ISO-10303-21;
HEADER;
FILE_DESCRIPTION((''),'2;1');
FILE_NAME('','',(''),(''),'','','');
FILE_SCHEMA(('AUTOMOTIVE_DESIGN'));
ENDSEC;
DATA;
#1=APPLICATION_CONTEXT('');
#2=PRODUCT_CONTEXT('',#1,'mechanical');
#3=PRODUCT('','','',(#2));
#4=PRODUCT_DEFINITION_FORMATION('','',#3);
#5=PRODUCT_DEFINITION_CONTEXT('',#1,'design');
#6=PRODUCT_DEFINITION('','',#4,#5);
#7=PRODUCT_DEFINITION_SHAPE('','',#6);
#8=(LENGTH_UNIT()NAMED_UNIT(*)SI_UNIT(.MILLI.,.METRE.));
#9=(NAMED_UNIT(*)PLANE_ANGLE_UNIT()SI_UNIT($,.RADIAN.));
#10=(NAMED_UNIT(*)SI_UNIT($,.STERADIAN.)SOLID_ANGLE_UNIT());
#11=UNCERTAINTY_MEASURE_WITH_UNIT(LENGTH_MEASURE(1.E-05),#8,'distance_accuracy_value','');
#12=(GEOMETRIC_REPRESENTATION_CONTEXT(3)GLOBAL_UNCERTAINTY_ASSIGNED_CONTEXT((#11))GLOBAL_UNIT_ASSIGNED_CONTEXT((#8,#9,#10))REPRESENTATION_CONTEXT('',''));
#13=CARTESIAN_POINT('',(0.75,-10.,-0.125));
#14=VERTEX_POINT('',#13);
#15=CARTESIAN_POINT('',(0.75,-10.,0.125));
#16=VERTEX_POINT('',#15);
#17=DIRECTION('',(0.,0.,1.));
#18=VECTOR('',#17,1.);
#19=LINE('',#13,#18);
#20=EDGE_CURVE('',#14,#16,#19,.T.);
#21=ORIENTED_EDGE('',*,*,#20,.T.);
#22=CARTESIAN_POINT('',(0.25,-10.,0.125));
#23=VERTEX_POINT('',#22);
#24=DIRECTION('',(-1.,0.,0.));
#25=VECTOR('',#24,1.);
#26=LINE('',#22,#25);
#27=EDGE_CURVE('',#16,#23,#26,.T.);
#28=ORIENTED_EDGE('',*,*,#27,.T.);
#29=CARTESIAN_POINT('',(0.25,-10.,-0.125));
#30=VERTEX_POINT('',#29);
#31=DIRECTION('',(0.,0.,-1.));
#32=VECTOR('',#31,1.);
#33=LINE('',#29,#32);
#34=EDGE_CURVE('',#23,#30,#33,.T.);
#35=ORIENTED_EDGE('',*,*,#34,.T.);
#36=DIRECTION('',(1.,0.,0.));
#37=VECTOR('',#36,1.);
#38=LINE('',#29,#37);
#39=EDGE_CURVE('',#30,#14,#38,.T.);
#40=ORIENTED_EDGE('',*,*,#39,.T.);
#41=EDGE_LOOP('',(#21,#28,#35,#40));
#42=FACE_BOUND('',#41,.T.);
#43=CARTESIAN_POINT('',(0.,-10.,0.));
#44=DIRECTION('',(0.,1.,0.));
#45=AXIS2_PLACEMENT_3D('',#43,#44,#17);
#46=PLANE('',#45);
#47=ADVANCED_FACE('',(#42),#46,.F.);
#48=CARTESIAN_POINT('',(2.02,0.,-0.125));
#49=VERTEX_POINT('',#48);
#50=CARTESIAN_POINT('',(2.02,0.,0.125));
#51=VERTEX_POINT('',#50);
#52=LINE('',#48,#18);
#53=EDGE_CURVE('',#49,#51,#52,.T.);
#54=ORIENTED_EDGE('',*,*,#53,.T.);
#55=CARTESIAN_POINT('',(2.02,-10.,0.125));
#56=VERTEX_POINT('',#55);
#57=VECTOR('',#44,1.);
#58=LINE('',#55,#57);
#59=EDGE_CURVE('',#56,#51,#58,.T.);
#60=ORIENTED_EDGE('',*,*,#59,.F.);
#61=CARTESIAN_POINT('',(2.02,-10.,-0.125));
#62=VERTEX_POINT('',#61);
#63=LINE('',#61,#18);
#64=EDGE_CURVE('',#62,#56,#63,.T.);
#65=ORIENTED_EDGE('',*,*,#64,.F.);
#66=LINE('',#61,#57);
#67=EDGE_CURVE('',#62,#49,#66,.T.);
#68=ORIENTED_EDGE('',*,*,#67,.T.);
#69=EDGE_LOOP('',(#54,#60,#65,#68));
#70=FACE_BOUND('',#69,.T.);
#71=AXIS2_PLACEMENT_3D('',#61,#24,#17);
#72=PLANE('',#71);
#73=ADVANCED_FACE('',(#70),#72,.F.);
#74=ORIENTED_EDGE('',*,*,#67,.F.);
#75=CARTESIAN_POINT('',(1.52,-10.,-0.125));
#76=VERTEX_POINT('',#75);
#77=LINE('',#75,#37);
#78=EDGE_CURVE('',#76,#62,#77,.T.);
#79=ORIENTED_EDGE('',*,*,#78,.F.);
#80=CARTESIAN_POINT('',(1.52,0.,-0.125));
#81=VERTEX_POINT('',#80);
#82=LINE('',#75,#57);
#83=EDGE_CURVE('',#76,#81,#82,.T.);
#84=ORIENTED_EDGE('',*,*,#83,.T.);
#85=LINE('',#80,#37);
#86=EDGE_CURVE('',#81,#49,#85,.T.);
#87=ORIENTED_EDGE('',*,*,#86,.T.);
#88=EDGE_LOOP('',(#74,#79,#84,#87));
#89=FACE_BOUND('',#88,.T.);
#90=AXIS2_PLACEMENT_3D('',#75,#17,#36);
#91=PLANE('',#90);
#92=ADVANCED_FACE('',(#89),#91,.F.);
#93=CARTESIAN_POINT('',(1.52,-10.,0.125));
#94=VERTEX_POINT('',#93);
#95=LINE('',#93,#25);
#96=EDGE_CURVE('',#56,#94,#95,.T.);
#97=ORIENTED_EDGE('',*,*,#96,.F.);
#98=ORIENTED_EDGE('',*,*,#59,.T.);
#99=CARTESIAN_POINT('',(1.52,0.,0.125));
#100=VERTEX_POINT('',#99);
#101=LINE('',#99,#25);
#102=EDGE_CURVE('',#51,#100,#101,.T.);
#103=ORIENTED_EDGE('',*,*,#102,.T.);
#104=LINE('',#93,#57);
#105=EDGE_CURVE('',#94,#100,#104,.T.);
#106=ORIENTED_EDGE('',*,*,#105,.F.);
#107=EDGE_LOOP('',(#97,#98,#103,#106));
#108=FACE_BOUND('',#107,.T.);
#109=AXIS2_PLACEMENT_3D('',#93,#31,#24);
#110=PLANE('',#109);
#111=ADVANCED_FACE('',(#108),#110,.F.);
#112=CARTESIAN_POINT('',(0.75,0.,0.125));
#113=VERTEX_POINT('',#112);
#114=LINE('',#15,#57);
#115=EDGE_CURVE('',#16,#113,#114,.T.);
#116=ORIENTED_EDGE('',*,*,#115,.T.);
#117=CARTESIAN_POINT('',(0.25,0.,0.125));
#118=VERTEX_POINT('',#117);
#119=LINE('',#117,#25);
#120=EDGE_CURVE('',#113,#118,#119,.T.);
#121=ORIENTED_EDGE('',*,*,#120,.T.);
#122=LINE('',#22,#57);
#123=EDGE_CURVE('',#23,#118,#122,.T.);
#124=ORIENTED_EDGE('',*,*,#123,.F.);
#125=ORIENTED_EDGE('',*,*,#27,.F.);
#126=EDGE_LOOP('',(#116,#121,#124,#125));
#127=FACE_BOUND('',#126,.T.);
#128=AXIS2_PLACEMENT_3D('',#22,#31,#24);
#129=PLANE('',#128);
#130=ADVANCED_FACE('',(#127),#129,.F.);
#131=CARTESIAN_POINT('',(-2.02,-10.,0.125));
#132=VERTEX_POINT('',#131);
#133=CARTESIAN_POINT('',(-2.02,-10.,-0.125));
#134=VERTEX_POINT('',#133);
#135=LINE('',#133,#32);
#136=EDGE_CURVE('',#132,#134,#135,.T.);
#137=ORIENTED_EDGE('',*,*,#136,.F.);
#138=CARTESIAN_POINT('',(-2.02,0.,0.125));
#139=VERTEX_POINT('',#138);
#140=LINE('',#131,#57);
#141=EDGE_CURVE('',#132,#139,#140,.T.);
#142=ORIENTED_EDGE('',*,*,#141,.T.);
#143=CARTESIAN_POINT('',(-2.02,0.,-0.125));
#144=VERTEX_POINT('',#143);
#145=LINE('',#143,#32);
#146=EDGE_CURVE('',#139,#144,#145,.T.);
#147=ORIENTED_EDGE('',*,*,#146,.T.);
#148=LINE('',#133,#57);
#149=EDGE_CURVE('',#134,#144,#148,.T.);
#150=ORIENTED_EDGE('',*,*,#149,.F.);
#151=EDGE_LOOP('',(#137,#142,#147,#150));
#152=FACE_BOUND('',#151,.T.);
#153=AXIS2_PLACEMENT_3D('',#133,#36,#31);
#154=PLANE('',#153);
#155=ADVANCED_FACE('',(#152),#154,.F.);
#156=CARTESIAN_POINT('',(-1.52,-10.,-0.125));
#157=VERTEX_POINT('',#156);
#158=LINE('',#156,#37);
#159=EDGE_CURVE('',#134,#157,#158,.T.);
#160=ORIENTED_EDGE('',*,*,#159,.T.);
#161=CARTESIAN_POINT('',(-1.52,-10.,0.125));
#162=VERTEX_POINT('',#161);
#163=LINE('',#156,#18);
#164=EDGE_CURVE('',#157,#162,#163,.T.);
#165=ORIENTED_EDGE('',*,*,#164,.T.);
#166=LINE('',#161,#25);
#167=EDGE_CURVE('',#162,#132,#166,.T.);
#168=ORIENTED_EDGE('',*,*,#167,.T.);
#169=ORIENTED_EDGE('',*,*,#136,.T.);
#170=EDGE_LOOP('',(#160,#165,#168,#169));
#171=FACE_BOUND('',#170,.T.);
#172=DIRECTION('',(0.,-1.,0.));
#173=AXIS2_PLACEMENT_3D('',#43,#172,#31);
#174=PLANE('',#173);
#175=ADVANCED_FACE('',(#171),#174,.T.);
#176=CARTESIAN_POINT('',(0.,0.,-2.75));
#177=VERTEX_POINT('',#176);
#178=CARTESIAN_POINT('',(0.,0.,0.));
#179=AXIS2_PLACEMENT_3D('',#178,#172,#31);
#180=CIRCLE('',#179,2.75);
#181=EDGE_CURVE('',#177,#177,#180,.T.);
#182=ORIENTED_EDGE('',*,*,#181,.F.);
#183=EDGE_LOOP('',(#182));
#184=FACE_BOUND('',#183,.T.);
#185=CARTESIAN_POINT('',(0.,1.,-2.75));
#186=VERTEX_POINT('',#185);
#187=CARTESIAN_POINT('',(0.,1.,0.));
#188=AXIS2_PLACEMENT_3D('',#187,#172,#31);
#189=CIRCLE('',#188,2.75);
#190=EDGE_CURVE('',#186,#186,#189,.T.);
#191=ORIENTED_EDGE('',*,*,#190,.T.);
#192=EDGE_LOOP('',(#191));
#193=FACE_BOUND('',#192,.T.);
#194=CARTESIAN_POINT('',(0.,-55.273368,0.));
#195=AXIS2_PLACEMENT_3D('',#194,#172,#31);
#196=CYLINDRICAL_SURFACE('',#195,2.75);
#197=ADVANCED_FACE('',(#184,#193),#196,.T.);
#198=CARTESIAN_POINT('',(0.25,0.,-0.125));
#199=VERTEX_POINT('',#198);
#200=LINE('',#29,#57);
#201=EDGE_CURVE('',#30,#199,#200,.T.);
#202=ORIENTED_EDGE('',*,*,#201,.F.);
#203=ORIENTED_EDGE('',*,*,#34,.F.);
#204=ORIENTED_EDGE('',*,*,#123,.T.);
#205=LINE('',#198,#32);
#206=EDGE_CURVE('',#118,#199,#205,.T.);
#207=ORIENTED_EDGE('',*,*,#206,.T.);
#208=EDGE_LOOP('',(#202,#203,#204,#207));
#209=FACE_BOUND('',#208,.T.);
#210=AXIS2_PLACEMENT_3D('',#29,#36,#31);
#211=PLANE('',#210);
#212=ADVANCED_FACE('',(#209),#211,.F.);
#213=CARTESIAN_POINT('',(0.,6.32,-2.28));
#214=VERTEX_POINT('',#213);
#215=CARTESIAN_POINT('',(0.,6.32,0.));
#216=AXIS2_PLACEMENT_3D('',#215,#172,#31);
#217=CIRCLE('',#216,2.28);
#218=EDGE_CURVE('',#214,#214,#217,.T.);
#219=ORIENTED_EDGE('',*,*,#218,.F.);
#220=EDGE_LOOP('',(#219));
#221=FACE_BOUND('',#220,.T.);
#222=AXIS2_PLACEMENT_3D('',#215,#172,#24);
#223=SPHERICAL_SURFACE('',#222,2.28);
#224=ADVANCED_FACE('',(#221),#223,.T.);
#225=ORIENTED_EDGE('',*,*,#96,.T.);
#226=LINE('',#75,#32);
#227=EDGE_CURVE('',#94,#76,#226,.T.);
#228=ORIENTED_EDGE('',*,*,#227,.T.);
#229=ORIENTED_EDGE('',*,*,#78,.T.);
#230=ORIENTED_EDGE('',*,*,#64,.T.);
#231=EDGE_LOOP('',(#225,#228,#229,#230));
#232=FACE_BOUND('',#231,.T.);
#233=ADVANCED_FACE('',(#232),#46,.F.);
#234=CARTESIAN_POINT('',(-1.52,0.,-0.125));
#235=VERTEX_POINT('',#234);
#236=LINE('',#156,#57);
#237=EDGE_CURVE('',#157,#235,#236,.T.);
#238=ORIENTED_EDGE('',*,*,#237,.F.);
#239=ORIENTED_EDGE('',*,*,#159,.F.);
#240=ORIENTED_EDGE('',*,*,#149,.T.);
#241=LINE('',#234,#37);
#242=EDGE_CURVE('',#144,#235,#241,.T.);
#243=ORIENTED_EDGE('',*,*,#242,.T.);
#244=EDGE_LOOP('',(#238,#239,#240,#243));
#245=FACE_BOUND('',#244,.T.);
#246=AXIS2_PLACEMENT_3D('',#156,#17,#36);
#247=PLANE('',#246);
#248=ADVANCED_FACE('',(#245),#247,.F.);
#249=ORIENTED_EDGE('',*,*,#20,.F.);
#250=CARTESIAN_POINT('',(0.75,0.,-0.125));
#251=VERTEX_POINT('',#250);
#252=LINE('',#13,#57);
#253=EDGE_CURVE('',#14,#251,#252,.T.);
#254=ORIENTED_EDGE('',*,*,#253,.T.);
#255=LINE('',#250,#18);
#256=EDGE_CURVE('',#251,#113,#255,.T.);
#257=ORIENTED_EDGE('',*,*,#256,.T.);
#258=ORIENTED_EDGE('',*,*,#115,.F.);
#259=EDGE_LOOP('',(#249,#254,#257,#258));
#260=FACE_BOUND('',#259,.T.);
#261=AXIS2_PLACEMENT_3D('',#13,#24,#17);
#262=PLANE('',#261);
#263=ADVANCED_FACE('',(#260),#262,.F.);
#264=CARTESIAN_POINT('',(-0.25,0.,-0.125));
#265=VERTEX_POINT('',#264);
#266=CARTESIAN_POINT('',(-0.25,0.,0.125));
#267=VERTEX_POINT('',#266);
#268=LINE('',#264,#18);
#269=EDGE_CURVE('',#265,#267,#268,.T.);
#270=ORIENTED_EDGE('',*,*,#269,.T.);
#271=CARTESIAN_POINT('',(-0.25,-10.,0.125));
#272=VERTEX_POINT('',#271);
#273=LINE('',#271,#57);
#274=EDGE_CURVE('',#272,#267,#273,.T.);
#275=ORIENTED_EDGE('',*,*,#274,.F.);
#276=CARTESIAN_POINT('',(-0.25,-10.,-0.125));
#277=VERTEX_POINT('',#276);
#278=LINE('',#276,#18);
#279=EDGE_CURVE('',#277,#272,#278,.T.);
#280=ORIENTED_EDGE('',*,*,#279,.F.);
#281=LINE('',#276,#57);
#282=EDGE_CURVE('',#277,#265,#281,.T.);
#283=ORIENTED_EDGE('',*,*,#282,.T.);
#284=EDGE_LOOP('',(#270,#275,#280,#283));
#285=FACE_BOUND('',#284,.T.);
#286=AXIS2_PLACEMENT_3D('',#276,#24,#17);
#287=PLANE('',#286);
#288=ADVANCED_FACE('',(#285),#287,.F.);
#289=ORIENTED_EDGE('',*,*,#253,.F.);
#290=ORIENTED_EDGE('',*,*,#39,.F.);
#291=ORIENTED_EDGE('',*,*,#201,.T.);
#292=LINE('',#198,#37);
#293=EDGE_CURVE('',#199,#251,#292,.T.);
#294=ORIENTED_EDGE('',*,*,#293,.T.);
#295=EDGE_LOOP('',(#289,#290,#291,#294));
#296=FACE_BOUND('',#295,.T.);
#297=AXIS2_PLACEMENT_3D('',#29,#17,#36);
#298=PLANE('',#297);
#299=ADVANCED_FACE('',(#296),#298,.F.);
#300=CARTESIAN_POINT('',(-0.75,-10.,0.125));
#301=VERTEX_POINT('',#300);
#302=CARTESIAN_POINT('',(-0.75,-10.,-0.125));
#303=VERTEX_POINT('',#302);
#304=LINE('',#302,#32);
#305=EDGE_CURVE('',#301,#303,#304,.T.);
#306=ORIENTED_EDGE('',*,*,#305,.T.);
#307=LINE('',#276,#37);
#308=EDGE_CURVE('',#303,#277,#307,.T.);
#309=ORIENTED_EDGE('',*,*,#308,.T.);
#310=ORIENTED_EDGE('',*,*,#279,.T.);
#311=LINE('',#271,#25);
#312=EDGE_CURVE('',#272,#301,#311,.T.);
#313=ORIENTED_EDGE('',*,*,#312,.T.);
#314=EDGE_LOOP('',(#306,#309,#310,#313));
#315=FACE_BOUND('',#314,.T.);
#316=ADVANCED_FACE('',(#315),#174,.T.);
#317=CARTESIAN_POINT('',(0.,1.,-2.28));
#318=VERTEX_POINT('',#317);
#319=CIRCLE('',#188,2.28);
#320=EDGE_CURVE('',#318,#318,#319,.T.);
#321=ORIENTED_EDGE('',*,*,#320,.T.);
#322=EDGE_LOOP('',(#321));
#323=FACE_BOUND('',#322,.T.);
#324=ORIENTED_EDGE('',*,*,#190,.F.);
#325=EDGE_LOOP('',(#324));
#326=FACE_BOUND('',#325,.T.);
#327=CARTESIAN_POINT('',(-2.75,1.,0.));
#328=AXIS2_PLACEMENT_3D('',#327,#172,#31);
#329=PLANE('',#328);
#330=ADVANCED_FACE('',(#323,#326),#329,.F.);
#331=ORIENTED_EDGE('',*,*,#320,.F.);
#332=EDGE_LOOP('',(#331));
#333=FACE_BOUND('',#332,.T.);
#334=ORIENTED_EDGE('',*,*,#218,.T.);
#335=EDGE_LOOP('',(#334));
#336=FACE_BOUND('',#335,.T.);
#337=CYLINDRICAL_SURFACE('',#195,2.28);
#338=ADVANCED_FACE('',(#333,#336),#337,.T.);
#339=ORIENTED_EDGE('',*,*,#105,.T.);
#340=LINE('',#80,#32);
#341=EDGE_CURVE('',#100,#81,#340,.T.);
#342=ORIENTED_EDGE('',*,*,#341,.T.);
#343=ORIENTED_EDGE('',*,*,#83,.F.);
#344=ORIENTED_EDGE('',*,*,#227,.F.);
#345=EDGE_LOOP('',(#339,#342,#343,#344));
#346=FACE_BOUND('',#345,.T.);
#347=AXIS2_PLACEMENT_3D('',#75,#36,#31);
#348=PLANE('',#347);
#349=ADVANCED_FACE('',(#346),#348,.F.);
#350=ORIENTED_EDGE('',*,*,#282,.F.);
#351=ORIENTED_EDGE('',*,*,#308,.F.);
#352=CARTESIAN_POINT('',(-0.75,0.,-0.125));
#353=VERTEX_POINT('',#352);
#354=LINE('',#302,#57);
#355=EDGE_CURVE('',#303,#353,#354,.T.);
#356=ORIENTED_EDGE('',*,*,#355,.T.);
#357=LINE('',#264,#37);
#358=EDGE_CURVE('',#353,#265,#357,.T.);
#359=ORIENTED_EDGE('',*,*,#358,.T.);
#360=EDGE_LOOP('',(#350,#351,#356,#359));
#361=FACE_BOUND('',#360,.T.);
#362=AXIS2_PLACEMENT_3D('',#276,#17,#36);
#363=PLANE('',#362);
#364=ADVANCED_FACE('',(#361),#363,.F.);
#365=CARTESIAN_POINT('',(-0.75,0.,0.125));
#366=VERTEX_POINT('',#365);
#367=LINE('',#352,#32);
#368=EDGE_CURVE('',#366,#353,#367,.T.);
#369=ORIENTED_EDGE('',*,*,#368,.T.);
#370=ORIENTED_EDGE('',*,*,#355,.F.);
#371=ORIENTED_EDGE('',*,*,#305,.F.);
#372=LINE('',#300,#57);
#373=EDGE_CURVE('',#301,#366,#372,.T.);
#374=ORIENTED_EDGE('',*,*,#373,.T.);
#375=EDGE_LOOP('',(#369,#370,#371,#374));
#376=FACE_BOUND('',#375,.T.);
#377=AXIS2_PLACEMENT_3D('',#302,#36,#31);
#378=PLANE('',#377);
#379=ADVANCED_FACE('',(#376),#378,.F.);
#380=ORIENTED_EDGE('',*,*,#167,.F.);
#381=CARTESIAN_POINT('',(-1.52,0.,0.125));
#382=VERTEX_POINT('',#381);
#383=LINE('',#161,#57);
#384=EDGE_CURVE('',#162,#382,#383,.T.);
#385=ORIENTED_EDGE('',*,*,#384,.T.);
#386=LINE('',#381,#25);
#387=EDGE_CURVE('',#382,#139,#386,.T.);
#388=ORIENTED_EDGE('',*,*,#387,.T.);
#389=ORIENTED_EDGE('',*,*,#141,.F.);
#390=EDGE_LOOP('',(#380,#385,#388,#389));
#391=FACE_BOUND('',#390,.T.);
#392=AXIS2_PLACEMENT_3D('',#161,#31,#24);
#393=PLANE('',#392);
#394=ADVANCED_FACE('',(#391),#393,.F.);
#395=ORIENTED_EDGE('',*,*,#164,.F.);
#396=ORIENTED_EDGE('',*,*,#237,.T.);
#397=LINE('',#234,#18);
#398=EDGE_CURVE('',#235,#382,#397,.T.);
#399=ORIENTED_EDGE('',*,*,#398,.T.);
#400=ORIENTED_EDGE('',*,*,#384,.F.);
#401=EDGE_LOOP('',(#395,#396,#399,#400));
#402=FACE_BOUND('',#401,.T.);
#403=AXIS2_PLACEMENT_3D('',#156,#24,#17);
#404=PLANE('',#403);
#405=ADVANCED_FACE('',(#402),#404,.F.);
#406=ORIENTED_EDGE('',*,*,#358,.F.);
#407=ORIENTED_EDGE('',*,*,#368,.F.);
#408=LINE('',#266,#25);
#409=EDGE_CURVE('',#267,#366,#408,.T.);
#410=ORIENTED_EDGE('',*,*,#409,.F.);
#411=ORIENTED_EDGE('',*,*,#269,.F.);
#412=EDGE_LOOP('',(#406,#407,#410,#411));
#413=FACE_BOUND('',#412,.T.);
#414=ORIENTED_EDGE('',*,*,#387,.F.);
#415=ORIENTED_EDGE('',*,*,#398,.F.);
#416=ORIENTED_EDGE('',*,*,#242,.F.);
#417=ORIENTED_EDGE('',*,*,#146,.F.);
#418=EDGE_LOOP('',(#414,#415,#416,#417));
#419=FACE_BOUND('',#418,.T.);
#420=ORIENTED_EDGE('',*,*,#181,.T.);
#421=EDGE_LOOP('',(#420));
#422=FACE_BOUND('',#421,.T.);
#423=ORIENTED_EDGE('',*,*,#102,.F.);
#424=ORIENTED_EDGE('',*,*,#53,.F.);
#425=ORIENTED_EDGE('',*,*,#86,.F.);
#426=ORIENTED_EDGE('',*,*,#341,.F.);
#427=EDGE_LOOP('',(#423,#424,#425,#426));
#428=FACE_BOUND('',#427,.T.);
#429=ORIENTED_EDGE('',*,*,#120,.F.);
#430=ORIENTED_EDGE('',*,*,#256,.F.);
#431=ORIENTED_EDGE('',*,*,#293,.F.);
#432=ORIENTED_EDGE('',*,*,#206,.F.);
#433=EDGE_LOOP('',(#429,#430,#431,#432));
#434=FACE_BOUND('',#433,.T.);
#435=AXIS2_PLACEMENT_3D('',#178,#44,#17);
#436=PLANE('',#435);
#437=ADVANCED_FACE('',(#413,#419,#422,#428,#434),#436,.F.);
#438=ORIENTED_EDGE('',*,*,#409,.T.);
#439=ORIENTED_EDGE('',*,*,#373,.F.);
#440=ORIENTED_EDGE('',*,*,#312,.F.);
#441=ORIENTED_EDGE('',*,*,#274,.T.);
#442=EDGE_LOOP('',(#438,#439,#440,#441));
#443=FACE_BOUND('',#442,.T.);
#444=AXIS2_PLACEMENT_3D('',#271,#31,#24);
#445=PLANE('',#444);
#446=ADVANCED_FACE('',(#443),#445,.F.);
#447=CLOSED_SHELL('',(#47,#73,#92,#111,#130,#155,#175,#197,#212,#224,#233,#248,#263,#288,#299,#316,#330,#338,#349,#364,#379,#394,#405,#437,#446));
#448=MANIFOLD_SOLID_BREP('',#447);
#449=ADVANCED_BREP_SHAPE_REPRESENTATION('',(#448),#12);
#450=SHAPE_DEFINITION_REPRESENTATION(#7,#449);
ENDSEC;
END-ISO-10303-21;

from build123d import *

# Parameters (mm, degrees)
CROQUIS3_W              = 0.5
CROQUIS3_H              = 0.25
SALIENTE_EXTRUIR1_DEPTH = 10


with BuildPart() as part:
    # Croquis1 → Revolución1 (revolve)
    with BuildSketch(Plane.XY, mode=Mode.PRIVATE) as revoluci_n1_sk:
        with BuildLine():
            Line((0, 0), (-2.75, 0))
            Line((-2.75, 0), (-2.75, 1))
            Line((-2.75, 1), (-2.28, 1))
            Line((-2.28, 1), (-2.28, 6.32))
            ThreePointArc((-2.28, 6.32), (-1.612203461, 7.932203461), (0, 8.6))
            Line((0, 8.6), (0, 0))
        make_face()
    revolve(revoluci_n1_sk.sketch.rotate(Axis((0, -55.273367698, 0), (0, 1, 0)), 270), axis=Axis((0, -55.273367698, 0), (0, 1, 0)))

    # Croquis3 → Saliente-Extruir1 (add)
    with BuildSketch(Plane.XZ):
        with Locations((-0.5, 0)):
            Rectangle(CROQUIS3_W, CROQUIS3_H)
        with Locations((-1.77, 0)):
            Rectangle(CROQUIS3_W, CROQUIS3_H)
        with Locations((1.77, 0)):
            Rectangle(CROQUIS3_W, CROQUIS3_H)
        with Locations((0.5, 0)):
            Rectangle(CROQUIS3_W, CROQUIS3_H)
    extrude(amount=SALIENTE_EXTRUIR1_DEPTH)


solid = part.part
